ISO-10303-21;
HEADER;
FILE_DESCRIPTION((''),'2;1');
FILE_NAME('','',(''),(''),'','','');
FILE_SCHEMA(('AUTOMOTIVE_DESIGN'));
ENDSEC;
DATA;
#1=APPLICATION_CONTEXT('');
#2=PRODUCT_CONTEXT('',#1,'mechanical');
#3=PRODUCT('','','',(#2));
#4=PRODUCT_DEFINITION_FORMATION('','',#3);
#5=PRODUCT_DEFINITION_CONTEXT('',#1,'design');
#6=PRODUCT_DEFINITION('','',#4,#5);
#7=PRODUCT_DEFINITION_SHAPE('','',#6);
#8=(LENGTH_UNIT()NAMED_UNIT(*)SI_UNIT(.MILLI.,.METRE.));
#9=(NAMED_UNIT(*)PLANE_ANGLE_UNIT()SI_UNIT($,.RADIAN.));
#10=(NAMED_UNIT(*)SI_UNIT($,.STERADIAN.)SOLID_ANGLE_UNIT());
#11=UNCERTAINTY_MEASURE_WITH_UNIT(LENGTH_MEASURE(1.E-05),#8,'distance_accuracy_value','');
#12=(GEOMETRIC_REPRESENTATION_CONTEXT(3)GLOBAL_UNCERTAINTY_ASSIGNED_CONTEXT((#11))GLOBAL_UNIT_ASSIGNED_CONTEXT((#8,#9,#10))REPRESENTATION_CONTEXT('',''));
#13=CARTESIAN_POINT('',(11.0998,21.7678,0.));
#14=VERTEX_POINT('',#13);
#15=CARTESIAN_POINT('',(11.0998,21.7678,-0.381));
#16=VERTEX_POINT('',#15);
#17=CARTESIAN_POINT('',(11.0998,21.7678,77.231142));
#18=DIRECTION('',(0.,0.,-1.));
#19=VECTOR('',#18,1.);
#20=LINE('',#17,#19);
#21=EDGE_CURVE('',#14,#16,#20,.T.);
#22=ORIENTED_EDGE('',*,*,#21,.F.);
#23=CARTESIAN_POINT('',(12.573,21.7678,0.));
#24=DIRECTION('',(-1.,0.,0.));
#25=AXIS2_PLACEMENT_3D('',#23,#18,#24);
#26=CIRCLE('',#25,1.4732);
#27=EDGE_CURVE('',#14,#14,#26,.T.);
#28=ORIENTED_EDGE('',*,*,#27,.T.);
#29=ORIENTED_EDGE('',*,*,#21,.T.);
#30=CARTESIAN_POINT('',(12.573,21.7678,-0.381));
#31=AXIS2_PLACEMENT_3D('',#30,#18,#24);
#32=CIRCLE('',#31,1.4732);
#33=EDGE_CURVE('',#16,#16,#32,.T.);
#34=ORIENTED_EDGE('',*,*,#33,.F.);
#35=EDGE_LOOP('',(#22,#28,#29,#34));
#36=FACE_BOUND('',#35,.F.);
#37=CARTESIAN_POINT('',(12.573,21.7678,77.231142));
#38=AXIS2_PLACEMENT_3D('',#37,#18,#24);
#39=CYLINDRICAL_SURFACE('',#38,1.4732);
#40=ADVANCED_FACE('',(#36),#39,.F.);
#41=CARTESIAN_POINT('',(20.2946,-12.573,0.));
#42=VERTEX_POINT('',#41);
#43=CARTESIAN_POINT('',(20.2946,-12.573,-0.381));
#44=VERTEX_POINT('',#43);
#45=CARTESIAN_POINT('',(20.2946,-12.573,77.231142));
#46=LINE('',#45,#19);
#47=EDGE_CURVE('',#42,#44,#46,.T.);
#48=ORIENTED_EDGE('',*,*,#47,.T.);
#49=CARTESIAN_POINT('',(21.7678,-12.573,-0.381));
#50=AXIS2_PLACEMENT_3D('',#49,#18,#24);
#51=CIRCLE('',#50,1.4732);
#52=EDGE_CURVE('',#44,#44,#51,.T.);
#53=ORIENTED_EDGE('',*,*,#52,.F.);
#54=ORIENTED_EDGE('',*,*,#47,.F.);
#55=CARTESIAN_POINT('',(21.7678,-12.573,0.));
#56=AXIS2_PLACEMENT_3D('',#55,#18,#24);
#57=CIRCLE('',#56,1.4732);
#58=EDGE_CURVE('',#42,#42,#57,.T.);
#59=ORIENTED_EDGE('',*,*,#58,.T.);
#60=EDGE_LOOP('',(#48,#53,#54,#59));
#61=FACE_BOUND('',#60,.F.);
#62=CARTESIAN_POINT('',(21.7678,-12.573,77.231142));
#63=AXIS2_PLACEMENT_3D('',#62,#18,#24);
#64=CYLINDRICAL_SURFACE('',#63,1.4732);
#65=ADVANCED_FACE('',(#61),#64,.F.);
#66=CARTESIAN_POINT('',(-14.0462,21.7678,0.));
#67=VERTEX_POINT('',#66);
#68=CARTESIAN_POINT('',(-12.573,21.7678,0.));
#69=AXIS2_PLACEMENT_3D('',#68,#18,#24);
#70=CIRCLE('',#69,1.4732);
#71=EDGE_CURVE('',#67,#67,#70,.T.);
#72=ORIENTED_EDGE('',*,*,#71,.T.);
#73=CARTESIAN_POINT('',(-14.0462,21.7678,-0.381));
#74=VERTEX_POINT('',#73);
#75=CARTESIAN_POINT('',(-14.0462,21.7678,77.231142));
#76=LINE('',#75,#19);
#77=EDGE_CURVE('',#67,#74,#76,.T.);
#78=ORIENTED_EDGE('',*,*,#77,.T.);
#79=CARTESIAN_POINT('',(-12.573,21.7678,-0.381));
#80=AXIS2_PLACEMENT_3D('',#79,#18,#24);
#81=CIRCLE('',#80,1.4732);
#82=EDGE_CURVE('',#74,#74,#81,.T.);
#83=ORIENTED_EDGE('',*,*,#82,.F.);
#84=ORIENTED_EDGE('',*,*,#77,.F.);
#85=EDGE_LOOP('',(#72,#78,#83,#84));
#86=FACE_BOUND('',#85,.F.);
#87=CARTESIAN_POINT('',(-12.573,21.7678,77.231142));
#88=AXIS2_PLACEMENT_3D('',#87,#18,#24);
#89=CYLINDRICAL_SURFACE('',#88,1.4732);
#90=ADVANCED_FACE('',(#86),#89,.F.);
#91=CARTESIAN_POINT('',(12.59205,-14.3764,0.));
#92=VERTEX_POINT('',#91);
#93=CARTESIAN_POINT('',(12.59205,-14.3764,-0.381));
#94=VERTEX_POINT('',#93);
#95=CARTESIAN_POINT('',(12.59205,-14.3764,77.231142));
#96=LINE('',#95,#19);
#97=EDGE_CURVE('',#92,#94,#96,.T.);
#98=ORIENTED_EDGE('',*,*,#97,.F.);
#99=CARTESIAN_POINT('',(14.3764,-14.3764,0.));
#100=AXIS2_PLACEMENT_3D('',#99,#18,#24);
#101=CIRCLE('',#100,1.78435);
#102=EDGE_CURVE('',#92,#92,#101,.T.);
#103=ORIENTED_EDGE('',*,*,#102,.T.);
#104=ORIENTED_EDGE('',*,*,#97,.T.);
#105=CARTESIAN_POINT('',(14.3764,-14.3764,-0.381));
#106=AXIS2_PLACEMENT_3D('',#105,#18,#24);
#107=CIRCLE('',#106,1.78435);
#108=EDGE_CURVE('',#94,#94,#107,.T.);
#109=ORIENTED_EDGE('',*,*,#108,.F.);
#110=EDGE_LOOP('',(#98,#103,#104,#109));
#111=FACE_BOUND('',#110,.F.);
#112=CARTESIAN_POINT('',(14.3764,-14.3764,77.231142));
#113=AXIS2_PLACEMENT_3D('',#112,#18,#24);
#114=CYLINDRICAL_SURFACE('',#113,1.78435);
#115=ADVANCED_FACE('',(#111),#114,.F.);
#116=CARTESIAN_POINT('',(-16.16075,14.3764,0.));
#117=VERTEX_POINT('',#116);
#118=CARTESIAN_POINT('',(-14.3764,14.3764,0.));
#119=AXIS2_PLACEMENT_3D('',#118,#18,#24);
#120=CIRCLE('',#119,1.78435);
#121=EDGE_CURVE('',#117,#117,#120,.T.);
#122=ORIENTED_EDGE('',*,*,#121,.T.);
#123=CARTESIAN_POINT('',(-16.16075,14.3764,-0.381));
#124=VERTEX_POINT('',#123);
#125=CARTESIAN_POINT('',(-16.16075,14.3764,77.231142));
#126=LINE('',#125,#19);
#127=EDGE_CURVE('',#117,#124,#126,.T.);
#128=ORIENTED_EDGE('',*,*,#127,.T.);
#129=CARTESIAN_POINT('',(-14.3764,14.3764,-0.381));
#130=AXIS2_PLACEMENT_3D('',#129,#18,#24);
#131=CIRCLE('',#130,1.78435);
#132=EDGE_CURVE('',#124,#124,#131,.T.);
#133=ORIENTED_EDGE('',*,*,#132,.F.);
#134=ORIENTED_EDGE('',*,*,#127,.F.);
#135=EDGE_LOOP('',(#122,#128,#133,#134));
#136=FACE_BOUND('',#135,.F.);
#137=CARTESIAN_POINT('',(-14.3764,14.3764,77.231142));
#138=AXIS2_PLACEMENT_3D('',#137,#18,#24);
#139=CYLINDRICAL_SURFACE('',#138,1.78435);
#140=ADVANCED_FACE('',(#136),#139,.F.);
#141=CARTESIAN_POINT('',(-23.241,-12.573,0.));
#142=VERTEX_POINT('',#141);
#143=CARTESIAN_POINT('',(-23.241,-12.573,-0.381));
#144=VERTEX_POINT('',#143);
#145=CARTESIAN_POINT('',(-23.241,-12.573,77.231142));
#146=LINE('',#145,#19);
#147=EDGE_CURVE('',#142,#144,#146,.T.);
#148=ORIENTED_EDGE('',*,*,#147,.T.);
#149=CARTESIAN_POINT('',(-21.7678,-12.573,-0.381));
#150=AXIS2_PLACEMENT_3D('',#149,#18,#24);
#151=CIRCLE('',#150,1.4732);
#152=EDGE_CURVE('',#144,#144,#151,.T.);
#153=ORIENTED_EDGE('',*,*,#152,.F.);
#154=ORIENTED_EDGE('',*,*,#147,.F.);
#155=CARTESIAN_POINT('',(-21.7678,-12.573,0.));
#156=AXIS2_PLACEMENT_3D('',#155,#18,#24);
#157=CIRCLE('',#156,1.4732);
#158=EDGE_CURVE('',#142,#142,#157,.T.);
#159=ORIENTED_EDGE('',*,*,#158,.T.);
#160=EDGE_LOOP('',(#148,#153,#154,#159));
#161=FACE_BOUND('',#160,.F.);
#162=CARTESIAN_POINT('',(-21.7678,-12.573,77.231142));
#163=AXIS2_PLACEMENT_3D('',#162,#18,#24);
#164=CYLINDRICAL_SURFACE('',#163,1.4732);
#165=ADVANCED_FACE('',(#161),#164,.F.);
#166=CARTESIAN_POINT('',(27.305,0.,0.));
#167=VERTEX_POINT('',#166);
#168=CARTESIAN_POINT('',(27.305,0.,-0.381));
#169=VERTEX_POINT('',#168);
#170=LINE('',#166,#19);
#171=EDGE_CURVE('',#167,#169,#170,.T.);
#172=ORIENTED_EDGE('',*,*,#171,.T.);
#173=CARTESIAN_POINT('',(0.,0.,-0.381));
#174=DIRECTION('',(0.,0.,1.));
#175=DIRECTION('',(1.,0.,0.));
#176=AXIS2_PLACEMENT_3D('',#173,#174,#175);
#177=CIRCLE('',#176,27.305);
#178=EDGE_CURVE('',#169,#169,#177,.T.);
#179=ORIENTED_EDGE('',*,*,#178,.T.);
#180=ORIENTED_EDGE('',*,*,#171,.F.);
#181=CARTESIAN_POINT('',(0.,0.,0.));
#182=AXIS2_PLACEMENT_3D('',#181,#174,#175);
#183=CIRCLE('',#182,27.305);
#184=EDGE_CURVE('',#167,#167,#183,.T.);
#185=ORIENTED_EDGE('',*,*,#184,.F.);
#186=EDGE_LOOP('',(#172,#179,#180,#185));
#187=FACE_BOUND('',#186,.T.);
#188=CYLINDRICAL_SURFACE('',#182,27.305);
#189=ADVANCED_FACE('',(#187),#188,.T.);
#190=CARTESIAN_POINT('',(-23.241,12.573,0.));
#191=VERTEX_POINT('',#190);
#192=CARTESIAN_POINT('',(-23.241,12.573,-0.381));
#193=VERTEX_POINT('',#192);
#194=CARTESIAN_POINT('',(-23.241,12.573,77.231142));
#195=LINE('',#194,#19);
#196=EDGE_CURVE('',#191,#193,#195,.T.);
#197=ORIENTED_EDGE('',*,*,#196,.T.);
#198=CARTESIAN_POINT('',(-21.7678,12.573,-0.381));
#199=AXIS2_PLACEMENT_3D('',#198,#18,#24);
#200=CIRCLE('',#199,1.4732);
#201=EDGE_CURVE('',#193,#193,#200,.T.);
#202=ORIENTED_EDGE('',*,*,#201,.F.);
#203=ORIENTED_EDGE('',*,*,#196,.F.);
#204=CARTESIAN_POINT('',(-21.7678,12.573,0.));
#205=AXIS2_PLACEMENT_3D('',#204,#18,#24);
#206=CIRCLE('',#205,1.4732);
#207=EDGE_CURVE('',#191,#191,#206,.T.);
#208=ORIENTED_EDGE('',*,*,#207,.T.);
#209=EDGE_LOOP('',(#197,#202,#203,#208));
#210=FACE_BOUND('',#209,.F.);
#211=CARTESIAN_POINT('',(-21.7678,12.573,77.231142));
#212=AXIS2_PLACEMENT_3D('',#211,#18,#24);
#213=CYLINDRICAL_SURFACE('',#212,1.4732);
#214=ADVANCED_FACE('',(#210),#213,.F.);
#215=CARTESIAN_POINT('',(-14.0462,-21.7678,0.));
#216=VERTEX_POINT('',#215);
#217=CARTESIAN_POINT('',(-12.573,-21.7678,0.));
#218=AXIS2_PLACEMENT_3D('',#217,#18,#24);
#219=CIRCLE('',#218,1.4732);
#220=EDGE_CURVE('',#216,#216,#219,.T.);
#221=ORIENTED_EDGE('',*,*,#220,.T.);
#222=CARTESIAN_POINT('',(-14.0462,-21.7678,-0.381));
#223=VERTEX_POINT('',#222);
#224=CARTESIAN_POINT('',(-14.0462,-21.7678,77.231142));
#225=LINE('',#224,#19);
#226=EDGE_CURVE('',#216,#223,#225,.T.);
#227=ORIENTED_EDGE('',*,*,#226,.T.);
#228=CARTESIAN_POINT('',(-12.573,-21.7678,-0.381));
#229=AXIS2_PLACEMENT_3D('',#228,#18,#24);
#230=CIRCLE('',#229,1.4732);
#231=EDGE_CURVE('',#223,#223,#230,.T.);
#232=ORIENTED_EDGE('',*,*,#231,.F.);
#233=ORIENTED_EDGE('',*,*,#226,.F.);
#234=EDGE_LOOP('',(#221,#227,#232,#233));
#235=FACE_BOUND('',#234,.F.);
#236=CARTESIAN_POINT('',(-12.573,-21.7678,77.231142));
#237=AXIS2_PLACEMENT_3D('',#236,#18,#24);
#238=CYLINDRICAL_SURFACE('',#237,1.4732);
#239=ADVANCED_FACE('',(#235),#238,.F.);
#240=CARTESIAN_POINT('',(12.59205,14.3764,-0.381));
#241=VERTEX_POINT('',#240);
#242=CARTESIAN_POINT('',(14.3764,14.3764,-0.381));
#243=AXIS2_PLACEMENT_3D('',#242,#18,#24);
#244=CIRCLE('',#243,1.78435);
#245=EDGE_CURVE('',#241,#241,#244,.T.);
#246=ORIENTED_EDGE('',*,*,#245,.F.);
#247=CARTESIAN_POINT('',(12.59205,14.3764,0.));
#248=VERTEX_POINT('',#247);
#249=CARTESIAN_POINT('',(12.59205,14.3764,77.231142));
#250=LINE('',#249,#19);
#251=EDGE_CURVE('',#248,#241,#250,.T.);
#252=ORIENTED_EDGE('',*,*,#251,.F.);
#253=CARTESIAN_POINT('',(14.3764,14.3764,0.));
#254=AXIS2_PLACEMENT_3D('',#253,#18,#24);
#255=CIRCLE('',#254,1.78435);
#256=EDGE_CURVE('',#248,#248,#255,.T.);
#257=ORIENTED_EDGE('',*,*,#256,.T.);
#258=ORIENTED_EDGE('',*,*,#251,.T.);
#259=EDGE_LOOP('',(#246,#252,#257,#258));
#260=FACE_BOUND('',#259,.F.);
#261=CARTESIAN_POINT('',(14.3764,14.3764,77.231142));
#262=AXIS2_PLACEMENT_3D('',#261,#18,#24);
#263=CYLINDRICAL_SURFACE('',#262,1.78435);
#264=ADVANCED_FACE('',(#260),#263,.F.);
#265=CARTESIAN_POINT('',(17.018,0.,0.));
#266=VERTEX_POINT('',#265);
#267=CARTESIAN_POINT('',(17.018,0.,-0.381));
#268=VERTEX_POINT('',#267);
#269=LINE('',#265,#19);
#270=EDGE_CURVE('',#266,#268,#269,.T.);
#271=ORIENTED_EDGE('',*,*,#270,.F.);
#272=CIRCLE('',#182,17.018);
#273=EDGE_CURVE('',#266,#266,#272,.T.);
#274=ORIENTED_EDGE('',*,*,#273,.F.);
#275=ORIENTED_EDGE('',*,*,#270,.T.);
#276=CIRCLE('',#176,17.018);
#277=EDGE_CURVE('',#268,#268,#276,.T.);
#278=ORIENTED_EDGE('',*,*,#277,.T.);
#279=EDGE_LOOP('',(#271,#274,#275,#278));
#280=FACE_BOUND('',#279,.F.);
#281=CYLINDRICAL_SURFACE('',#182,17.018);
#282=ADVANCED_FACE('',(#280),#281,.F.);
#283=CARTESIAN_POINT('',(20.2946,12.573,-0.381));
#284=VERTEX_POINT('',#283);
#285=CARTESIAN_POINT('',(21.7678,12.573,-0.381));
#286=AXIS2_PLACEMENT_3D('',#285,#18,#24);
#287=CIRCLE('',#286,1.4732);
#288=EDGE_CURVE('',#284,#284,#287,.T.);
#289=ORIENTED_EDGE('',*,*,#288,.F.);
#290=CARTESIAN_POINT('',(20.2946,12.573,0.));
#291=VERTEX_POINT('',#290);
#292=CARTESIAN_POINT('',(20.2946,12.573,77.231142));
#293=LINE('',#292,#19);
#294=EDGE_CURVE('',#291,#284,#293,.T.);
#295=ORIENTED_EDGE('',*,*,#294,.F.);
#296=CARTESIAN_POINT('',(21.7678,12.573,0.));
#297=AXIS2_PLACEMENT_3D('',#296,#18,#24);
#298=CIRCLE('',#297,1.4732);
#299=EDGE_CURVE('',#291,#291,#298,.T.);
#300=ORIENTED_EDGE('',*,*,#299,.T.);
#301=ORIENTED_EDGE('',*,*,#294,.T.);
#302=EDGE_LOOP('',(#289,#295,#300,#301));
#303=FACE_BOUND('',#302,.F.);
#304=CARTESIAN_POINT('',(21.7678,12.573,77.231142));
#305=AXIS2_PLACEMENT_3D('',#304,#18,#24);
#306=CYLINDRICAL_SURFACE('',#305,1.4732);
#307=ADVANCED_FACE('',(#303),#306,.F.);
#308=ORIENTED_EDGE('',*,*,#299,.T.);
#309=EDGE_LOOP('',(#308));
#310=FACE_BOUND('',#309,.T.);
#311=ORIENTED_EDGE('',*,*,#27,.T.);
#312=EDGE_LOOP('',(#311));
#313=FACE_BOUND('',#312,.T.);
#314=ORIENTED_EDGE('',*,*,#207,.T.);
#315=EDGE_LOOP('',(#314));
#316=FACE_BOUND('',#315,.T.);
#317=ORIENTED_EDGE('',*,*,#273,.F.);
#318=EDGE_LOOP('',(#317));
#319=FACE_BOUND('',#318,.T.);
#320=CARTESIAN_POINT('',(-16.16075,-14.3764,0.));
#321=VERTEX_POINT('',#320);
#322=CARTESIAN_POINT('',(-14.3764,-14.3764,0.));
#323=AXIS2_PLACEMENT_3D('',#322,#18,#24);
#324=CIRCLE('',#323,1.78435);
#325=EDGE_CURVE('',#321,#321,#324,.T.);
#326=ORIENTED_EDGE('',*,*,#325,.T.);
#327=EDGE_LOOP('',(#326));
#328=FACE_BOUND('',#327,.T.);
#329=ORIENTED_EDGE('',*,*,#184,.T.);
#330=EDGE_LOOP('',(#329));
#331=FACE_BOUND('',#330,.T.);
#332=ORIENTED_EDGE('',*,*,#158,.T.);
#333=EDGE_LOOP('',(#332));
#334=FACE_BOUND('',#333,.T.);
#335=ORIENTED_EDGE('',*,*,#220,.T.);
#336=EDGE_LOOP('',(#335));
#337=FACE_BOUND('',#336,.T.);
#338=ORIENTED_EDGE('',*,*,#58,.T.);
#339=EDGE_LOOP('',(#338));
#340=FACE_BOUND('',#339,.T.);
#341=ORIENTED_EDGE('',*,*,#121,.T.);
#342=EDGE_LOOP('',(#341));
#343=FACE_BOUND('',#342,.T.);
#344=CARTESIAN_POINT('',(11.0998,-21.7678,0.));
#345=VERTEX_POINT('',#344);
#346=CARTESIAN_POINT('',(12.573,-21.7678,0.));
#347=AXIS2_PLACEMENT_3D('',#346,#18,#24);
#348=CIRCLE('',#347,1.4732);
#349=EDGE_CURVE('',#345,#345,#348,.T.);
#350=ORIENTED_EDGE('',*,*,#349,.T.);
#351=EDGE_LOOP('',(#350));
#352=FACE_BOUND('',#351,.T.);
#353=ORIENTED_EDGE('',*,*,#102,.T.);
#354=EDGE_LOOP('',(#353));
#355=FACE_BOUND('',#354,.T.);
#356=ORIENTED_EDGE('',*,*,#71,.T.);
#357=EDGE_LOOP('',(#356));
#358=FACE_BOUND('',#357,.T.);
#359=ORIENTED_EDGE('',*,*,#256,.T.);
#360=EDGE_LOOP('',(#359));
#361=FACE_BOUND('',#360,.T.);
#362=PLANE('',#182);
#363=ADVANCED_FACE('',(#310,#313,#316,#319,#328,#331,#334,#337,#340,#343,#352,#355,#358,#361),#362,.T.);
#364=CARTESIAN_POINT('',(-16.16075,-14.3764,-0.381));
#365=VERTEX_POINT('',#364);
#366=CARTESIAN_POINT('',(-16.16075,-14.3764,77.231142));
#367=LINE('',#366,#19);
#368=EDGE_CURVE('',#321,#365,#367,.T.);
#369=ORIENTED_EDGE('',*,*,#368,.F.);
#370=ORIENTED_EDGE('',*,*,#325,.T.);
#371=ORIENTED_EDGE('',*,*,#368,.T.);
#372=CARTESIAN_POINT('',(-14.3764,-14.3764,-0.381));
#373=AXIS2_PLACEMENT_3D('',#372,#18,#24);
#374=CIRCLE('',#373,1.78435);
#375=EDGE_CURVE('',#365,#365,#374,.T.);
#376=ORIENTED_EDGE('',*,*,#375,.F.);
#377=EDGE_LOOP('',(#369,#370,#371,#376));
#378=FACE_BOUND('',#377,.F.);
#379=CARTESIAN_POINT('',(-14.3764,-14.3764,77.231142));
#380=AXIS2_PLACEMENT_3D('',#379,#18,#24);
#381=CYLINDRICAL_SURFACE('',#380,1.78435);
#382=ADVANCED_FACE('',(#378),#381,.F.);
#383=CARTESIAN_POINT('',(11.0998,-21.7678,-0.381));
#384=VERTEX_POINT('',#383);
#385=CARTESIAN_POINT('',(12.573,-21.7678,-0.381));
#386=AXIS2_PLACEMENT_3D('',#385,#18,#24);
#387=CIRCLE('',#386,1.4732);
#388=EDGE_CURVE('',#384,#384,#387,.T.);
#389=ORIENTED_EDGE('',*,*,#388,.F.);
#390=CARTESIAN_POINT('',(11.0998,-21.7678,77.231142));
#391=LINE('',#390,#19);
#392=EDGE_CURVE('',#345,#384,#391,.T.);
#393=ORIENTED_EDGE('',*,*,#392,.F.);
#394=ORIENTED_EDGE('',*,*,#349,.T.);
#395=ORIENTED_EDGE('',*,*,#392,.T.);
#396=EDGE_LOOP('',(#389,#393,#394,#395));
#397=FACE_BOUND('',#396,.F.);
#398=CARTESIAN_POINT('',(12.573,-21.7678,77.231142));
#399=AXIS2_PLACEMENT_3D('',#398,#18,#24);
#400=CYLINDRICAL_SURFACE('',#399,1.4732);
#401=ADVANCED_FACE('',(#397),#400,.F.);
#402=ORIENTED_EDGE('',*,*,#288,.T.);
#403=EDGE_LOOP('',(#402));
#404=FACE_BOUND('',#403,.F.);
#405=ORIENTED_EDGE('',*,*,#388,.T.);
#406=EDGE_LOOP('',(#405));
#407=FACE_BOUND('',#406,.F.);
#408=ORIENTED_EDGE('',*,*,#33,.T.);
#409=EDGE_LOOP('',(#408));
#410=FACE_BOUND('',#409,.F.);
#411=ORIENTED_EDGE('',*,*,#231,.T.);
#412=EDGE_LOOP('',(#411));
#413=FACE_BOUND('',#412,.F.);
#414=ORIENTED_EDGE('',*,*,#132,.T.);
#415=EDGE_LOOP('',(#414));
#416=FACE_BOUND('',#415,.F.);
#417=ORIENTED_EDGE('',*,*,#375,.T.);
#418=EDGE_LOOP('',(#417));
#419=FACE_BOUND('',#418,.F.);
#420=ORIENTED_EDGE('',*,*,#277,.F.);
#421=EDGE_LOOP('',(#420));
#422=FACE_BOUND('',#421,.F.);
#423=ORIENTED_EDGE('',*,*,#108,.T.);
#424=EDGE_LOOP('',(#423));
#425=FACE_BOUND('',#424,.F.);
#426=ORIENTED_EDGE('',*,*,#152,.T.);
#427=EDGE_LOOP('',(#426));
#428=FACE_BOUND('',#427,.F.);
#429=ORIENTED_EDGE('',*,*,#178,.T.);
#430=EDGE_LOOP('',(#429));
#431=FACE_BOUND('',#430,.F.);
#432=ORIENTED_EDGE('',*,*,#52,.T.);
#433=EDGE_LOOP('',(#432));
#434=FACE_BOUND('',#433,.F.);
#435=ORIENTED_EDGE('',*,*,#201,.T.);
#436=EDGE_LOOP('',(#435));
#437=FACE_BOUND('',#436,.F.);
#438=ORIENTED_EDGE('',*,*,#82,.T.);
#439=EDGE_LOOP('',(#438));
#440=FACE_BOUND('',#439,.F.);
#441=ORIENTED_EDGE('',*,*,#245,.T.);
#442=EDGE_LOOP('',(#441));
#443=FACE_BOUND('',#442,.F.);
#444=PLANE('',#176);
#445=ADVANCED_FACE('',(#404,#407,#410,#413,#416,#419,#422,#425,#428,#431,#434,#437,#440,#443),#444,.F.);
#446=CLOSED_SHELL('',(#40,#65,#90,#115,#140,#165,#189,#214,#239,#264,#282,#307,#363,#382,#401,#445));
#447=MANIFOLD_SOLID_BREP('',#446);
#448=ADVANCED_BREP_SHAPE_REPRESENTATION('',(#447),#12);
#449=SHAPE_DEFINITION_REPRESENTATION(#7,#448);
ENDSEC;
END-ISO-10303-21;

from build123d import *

# Parameters (mm, degrees)
F0_R     = 27.305
F0_R_2   = 17.018
F1_DEPTH = 0.381
F2_D     = 2.9464
F3_D     = 3.5687


with BuildPart() as f1:
    # F0 (on Top) → F1 (new body)
    with BuildSketch(Plane.XY):
        Circle(F0_R)
        Circle(F0_R_2, mode=Mode.SUBTRACT)
    extrude(amount=-F1_DEPTH)

    # F2 (through all)
    with Locations(Plane.XY):
        with Locations((12.573, 21.7678), (21.7678, 12.573), (21.7678, -12.573), (12.573, -21.7678), (-12.573, -21.7678), (-21.7678, -12.573), (-21.7678, 12.573), (-12.573, 21.7678)):
            Hole(F2_D / 2)

    # F3 (through all)
    with Locations(Plane.XY):
        with Locations((14.3764, 14.3764), (14.3764, -14.3764), (-14.3764, -14.3764), (-14.3764, 14.3764)):
            Hole(F3_D / 2)


solid = f1.part
